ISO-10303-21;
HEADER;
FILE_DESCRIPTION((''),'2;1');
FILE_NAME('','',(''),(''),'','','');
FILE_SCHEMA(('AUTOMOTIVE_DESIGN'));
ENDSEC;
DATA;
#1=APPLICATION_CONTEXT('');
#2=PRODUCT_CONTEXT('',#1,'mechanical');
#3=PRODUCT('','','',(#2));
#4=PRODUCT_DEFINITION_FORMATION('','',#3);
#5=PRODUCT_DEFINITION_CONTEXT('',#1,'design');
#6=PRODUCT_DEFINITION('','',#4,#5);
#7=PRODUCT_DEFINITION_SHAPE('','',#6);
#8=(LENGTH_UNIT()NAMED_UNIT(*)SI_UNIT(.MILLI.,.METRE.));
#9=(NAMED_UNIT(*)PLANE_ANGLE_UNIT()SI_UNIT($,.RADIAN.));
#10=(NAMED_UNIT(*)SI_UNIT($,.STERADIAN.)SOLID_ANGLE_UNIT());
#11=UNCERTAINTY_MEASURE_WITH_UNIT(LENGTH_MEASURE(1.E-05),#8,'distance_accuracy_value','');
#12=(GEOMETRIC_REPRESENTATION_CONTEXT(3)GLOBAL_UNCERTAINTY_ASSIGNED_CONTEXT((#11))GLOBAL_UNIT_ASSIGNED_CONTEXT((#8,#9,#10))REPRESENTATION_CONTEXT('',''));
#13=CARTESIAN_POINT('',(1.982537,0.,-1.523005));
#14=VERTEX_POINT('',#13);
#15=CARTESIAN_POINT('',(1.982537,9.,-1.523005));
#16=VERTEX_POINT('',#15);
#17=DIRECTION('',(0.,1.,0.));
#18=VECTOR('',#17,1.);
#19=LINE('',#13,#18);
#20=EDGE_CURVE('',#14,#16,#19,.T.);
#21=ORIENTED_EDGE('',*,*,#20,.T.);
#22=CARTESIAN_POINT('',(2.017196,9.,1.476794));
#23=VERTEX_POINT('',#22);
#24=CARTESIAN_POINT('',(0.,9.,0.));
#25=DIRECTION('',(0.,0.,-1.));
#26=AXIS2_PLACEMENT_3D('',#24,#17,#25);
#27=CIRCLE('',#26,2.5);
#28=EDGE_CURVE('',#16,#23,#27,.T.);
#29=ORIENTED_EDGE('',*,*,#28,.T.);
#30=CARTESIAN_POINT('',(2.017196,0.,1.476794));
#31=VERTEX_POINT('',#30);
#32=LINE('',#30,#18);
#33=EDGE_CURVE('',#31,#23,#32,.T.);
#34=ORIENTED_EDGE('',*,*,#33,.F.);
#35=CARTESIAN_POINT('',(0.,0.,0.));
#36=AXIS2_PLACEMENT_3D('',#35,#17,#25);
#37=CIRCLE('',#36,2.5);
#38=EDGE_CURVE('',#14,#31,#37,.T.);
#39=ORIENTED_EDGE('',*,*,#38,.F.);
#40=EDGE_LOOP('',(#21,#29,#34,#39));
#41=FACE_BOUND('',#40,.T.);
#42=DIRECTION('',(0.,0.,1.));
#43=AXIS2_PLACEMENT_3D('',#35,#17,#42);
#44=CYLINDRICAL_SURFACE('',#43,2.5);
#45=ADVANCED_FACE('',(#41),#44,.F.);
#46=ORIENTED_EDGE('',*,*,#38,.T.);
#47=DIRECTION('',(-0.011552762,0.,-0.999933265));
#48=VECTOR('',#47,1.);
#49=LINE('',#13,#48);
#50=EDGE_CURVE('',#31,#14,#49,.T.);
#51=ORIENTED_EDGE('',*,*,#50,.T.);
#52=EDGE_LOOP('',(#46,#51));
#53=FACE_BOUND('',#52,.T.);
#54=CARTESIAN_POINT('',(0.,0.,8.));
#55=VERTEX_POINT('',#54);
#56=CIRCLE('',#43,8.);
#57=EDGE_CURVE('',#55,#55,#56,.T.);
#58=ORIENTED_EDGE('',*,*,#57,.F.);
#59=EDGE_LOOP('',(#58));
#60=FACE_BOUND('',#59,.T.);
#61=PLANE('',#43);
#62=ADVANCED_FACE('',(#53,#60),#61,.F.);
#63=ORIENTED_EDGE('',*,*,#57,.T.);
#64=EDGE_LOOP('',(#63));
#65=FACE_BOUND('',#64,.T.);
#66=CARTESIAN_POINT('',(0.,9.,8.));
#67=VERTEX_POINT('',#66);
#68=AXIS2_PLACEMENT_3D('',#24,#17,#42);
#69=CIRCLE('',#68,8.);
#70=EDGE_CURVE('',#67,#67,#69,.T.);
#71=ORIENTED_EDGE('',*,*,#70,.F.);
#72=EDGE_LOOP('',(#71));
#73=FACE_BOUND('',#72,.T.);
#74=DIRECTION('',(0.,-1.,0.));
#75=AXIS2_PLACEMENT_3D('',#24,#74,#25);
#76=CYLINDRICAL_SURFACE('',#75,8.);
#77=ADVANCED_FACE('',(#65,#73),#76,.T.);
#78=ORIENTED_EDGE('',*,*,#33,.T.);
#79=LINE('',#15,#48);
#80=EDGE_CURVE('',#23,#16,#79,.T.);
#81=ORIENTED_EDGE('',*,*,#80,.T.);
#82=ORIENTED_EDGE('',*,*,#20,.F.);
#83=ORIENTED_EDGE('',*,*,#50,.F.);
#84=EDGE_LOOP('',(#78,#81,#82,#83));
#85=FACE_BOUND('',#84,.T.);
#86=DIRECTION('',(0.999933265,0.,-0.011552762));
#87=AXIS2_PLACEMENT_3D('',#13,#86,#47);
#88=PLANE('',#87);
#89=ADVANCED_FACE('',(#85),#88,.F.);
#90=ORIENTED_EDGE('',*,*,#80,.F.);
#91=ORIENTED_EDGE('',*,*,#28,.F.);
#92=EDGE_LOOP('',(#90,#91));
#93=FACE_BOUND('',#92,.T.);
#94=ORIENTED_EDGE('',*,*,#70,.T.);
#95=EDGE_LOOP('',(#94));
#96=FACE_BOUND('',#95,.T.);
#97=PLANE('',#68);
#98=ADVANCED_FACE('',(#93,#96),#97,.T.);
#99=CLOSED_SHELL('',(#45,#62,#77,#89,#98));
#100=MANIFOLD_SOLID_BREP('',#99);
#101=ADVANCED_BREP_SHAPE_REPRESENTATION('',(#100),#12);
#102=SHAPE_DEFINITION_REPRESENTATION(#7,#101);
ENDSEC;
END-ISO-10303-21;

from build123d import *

# Parameters (mm, degrees)
SKETCH_1_R          = 8
EXTRUDE_1_DEPTH     = 9
CUT_EXTRUDE_1_DEPTH = 15.456832295


with BuildPart() as part:
    # 草图1 → 凸台-拉伸1 (new body)
    with BuildSketch(Plane(origin=(0, 0, 0), x_dir=(1, 0, 0), z_dir=(0, 1, 0))):
        with Locations(Location((0, 0, 0), (0, 0, 270))):
            Circle(SKETCH_1_R)
    extrude(amount=EXTRUDE_1_DEPTH)

    # 草图2 → 切除-拉伸1 (cut, through all)
    with BuildSketch(Plane(origin=(0, 9, 0), x_dir=(1, 0, 0), z_dir=(0, 1, 0))):
        with BuildLine():
            Line((1.982537386, 1.523005421), (2.017195673, -1.476794372))
            ThreePointArc((2.017195673, -1.476794372), (-2.499833162, -0.028881906), (1.982537386, 1.523005421))
        make_face()
    extrude(amount=-CUT_EXTRUDE_1_DEPTH, mode=Mode.SUBTRACT)


solid = part.part
